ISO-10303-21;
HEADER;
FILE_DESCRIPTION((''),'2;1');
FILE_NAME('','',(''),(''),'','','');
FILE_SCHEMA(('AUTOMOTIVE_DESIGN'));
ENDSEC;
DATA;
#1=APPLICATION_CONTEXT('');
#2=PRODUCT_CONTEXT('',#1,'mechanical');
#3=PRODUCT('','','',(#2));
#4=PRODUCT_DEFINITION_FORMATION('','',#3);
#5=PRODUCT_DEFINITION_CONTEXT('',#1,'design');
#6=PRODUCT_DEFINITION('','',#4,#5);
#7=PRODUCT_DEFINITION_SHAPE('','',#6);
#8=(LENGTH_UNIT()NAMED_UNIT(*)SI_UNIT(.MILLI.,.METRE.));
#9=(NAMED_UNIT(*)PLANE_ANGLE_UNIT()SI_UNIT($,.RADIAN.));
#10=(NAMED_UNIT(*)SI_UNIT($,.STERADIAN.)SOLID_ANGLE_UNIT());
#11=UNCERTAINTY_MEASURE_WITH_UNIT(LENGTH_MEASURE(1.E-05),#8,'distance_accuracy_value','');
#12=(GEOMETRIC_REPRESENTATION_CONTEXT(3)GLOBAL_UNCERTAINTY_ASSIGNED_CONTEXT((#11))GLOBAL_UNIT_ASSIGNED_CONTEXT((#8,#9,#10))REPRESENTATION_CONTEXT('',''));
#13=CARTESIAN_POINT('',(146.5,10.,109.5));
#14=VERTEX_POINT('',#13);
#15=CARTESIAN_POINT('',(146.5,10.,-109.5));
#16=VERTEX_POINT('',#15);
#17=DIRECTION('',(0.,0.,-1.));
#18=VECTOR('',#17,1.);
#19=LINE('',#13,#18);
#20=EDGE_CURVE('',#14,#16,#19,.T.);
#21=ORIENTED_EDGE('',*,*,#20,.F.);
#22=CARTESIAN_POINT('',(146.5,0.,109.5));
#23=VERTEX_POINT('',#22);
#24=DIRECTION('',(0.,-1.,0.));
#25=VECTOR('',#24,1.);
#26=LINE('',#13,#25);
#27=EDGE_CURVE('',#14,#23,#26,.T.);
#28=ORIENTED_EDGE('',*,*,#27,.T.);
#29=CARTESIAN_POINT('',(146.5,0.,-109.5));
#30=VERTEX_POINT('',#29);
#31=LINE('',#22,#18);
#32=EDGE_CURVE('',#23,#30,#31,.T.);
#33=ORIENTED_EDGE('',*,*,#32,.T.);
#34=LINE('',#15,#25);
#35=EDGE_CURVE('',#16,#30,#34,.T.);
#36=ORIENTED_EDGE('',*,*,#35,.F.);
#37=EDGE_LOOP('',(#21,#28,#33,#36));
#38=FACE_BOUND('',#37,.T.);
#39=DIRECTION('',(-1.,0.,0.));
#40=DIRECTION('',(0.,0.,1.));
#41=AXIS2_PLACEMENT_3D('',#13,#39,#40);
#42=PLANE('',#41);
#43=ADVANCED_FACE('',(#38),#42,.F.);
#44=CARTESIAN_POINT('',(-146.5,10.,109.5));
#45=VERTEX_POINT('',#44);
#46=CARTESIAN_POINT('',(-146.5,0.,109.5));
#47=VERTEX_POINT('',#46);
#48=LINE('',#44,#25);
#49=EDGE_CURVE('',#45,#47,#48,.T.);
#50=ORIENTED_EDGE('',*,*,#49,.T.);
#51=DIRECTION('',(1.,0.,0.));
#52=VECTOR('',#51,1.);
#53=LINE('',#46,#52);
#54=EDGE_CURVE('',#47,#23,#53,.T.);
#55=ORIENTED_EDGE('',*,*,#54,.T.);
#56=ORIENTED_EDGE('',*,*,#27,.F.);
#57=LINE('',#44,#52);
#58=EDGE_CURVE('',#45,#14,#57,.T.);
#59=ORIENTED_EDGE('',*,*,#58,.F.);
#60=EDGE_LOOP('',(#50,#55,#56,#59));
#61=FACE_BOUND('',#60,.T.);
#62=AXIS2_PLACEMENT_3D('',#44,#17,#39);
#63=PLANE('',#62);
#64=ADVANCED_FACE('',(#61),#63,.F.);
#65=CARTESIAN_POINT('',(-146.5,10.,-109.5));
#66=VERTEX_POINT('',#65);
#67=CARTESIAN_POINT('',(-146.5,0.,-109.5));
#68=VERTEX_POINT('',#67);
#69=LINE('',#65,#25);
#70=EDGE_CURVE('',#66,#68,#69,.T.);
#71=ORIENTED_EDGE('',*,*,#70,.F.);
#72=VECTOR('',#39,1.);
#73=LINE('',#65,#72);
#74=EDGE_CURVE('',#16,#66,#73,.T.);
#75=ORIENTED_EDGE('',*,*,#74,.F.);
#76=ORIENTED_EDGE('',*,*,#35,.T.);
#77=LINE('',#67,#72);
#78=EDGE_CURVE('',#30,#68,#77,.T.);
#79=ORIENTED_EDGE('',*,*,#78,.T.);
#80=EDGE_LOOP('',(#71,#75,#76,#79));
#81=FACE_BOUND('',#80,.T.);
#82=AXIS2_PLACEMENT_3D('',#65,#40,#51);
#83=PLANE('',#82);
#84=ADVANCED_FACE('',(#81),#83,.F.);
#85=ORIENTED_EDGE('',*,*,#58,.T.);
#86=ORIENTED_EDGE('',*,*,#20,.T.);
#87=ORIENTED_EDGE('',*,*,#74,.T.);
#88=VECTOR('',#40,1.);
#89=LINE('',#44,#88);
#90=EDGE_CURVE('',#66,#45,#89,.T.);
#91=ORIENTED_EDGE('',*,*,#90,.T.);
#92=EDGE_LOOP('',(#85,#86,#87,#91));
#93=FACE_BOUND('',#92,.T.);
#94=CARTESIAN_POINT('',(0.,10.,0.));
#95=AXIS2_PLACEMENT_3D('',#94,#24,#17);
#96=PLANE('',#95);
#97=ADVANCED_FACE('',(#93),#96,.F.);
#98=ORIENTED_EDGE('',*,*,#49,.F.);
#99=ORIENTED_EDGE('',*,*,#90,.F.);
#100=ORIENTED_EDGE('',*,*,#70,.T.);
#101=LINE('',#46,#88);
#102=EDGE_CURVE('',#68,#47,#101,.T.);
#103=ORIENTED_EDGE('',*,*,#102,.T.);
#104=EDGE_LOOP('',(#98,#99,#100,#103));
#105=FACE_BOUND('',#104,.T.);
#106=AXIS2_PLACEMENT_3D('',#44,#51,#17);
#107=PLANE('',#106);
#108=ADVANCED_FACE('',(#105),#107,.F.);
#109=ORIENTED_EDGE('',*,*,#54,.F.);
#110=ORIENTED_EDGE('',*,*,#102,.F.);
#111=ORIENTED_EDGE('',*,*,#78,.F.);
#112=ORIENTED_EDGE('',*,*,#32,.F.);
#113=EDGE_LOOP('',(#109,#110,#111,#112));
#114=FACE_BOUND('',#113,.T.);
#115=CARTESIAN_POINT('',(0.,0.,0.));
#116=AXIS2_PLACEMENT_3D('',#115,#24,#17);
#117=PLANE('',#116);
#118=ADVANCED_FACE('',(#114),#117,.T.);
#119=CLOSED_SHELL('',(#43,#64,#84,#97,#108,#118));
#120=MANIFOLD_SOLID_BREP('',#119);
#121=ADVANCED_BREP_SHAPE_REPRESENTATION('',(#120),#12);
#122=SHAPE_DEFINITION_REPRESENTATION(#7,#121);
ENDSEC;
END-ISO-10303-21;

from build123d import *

# Parameters (mm, degrees)
SZKIC1_W                    = 293
SZKIC1_H                    = 219
DODANIE_WYCI_GNI_CIE1_DEPTH = 10


with BuildPart() as part:
    # Szkic1 → Dodanie-wyciągnięcie1 (new body)
    with BuildSketch(Plane(origin=(0, 0, 0), x_dir=(1, 0, 0), z_dir=(0, 1, 0))):
        Rectangle(SZKIC1_W, SZKIC1_H)
    extrude(amount=DODANIE_WYCI_GNI_CIE1_DEPTH)


solid = part.part
